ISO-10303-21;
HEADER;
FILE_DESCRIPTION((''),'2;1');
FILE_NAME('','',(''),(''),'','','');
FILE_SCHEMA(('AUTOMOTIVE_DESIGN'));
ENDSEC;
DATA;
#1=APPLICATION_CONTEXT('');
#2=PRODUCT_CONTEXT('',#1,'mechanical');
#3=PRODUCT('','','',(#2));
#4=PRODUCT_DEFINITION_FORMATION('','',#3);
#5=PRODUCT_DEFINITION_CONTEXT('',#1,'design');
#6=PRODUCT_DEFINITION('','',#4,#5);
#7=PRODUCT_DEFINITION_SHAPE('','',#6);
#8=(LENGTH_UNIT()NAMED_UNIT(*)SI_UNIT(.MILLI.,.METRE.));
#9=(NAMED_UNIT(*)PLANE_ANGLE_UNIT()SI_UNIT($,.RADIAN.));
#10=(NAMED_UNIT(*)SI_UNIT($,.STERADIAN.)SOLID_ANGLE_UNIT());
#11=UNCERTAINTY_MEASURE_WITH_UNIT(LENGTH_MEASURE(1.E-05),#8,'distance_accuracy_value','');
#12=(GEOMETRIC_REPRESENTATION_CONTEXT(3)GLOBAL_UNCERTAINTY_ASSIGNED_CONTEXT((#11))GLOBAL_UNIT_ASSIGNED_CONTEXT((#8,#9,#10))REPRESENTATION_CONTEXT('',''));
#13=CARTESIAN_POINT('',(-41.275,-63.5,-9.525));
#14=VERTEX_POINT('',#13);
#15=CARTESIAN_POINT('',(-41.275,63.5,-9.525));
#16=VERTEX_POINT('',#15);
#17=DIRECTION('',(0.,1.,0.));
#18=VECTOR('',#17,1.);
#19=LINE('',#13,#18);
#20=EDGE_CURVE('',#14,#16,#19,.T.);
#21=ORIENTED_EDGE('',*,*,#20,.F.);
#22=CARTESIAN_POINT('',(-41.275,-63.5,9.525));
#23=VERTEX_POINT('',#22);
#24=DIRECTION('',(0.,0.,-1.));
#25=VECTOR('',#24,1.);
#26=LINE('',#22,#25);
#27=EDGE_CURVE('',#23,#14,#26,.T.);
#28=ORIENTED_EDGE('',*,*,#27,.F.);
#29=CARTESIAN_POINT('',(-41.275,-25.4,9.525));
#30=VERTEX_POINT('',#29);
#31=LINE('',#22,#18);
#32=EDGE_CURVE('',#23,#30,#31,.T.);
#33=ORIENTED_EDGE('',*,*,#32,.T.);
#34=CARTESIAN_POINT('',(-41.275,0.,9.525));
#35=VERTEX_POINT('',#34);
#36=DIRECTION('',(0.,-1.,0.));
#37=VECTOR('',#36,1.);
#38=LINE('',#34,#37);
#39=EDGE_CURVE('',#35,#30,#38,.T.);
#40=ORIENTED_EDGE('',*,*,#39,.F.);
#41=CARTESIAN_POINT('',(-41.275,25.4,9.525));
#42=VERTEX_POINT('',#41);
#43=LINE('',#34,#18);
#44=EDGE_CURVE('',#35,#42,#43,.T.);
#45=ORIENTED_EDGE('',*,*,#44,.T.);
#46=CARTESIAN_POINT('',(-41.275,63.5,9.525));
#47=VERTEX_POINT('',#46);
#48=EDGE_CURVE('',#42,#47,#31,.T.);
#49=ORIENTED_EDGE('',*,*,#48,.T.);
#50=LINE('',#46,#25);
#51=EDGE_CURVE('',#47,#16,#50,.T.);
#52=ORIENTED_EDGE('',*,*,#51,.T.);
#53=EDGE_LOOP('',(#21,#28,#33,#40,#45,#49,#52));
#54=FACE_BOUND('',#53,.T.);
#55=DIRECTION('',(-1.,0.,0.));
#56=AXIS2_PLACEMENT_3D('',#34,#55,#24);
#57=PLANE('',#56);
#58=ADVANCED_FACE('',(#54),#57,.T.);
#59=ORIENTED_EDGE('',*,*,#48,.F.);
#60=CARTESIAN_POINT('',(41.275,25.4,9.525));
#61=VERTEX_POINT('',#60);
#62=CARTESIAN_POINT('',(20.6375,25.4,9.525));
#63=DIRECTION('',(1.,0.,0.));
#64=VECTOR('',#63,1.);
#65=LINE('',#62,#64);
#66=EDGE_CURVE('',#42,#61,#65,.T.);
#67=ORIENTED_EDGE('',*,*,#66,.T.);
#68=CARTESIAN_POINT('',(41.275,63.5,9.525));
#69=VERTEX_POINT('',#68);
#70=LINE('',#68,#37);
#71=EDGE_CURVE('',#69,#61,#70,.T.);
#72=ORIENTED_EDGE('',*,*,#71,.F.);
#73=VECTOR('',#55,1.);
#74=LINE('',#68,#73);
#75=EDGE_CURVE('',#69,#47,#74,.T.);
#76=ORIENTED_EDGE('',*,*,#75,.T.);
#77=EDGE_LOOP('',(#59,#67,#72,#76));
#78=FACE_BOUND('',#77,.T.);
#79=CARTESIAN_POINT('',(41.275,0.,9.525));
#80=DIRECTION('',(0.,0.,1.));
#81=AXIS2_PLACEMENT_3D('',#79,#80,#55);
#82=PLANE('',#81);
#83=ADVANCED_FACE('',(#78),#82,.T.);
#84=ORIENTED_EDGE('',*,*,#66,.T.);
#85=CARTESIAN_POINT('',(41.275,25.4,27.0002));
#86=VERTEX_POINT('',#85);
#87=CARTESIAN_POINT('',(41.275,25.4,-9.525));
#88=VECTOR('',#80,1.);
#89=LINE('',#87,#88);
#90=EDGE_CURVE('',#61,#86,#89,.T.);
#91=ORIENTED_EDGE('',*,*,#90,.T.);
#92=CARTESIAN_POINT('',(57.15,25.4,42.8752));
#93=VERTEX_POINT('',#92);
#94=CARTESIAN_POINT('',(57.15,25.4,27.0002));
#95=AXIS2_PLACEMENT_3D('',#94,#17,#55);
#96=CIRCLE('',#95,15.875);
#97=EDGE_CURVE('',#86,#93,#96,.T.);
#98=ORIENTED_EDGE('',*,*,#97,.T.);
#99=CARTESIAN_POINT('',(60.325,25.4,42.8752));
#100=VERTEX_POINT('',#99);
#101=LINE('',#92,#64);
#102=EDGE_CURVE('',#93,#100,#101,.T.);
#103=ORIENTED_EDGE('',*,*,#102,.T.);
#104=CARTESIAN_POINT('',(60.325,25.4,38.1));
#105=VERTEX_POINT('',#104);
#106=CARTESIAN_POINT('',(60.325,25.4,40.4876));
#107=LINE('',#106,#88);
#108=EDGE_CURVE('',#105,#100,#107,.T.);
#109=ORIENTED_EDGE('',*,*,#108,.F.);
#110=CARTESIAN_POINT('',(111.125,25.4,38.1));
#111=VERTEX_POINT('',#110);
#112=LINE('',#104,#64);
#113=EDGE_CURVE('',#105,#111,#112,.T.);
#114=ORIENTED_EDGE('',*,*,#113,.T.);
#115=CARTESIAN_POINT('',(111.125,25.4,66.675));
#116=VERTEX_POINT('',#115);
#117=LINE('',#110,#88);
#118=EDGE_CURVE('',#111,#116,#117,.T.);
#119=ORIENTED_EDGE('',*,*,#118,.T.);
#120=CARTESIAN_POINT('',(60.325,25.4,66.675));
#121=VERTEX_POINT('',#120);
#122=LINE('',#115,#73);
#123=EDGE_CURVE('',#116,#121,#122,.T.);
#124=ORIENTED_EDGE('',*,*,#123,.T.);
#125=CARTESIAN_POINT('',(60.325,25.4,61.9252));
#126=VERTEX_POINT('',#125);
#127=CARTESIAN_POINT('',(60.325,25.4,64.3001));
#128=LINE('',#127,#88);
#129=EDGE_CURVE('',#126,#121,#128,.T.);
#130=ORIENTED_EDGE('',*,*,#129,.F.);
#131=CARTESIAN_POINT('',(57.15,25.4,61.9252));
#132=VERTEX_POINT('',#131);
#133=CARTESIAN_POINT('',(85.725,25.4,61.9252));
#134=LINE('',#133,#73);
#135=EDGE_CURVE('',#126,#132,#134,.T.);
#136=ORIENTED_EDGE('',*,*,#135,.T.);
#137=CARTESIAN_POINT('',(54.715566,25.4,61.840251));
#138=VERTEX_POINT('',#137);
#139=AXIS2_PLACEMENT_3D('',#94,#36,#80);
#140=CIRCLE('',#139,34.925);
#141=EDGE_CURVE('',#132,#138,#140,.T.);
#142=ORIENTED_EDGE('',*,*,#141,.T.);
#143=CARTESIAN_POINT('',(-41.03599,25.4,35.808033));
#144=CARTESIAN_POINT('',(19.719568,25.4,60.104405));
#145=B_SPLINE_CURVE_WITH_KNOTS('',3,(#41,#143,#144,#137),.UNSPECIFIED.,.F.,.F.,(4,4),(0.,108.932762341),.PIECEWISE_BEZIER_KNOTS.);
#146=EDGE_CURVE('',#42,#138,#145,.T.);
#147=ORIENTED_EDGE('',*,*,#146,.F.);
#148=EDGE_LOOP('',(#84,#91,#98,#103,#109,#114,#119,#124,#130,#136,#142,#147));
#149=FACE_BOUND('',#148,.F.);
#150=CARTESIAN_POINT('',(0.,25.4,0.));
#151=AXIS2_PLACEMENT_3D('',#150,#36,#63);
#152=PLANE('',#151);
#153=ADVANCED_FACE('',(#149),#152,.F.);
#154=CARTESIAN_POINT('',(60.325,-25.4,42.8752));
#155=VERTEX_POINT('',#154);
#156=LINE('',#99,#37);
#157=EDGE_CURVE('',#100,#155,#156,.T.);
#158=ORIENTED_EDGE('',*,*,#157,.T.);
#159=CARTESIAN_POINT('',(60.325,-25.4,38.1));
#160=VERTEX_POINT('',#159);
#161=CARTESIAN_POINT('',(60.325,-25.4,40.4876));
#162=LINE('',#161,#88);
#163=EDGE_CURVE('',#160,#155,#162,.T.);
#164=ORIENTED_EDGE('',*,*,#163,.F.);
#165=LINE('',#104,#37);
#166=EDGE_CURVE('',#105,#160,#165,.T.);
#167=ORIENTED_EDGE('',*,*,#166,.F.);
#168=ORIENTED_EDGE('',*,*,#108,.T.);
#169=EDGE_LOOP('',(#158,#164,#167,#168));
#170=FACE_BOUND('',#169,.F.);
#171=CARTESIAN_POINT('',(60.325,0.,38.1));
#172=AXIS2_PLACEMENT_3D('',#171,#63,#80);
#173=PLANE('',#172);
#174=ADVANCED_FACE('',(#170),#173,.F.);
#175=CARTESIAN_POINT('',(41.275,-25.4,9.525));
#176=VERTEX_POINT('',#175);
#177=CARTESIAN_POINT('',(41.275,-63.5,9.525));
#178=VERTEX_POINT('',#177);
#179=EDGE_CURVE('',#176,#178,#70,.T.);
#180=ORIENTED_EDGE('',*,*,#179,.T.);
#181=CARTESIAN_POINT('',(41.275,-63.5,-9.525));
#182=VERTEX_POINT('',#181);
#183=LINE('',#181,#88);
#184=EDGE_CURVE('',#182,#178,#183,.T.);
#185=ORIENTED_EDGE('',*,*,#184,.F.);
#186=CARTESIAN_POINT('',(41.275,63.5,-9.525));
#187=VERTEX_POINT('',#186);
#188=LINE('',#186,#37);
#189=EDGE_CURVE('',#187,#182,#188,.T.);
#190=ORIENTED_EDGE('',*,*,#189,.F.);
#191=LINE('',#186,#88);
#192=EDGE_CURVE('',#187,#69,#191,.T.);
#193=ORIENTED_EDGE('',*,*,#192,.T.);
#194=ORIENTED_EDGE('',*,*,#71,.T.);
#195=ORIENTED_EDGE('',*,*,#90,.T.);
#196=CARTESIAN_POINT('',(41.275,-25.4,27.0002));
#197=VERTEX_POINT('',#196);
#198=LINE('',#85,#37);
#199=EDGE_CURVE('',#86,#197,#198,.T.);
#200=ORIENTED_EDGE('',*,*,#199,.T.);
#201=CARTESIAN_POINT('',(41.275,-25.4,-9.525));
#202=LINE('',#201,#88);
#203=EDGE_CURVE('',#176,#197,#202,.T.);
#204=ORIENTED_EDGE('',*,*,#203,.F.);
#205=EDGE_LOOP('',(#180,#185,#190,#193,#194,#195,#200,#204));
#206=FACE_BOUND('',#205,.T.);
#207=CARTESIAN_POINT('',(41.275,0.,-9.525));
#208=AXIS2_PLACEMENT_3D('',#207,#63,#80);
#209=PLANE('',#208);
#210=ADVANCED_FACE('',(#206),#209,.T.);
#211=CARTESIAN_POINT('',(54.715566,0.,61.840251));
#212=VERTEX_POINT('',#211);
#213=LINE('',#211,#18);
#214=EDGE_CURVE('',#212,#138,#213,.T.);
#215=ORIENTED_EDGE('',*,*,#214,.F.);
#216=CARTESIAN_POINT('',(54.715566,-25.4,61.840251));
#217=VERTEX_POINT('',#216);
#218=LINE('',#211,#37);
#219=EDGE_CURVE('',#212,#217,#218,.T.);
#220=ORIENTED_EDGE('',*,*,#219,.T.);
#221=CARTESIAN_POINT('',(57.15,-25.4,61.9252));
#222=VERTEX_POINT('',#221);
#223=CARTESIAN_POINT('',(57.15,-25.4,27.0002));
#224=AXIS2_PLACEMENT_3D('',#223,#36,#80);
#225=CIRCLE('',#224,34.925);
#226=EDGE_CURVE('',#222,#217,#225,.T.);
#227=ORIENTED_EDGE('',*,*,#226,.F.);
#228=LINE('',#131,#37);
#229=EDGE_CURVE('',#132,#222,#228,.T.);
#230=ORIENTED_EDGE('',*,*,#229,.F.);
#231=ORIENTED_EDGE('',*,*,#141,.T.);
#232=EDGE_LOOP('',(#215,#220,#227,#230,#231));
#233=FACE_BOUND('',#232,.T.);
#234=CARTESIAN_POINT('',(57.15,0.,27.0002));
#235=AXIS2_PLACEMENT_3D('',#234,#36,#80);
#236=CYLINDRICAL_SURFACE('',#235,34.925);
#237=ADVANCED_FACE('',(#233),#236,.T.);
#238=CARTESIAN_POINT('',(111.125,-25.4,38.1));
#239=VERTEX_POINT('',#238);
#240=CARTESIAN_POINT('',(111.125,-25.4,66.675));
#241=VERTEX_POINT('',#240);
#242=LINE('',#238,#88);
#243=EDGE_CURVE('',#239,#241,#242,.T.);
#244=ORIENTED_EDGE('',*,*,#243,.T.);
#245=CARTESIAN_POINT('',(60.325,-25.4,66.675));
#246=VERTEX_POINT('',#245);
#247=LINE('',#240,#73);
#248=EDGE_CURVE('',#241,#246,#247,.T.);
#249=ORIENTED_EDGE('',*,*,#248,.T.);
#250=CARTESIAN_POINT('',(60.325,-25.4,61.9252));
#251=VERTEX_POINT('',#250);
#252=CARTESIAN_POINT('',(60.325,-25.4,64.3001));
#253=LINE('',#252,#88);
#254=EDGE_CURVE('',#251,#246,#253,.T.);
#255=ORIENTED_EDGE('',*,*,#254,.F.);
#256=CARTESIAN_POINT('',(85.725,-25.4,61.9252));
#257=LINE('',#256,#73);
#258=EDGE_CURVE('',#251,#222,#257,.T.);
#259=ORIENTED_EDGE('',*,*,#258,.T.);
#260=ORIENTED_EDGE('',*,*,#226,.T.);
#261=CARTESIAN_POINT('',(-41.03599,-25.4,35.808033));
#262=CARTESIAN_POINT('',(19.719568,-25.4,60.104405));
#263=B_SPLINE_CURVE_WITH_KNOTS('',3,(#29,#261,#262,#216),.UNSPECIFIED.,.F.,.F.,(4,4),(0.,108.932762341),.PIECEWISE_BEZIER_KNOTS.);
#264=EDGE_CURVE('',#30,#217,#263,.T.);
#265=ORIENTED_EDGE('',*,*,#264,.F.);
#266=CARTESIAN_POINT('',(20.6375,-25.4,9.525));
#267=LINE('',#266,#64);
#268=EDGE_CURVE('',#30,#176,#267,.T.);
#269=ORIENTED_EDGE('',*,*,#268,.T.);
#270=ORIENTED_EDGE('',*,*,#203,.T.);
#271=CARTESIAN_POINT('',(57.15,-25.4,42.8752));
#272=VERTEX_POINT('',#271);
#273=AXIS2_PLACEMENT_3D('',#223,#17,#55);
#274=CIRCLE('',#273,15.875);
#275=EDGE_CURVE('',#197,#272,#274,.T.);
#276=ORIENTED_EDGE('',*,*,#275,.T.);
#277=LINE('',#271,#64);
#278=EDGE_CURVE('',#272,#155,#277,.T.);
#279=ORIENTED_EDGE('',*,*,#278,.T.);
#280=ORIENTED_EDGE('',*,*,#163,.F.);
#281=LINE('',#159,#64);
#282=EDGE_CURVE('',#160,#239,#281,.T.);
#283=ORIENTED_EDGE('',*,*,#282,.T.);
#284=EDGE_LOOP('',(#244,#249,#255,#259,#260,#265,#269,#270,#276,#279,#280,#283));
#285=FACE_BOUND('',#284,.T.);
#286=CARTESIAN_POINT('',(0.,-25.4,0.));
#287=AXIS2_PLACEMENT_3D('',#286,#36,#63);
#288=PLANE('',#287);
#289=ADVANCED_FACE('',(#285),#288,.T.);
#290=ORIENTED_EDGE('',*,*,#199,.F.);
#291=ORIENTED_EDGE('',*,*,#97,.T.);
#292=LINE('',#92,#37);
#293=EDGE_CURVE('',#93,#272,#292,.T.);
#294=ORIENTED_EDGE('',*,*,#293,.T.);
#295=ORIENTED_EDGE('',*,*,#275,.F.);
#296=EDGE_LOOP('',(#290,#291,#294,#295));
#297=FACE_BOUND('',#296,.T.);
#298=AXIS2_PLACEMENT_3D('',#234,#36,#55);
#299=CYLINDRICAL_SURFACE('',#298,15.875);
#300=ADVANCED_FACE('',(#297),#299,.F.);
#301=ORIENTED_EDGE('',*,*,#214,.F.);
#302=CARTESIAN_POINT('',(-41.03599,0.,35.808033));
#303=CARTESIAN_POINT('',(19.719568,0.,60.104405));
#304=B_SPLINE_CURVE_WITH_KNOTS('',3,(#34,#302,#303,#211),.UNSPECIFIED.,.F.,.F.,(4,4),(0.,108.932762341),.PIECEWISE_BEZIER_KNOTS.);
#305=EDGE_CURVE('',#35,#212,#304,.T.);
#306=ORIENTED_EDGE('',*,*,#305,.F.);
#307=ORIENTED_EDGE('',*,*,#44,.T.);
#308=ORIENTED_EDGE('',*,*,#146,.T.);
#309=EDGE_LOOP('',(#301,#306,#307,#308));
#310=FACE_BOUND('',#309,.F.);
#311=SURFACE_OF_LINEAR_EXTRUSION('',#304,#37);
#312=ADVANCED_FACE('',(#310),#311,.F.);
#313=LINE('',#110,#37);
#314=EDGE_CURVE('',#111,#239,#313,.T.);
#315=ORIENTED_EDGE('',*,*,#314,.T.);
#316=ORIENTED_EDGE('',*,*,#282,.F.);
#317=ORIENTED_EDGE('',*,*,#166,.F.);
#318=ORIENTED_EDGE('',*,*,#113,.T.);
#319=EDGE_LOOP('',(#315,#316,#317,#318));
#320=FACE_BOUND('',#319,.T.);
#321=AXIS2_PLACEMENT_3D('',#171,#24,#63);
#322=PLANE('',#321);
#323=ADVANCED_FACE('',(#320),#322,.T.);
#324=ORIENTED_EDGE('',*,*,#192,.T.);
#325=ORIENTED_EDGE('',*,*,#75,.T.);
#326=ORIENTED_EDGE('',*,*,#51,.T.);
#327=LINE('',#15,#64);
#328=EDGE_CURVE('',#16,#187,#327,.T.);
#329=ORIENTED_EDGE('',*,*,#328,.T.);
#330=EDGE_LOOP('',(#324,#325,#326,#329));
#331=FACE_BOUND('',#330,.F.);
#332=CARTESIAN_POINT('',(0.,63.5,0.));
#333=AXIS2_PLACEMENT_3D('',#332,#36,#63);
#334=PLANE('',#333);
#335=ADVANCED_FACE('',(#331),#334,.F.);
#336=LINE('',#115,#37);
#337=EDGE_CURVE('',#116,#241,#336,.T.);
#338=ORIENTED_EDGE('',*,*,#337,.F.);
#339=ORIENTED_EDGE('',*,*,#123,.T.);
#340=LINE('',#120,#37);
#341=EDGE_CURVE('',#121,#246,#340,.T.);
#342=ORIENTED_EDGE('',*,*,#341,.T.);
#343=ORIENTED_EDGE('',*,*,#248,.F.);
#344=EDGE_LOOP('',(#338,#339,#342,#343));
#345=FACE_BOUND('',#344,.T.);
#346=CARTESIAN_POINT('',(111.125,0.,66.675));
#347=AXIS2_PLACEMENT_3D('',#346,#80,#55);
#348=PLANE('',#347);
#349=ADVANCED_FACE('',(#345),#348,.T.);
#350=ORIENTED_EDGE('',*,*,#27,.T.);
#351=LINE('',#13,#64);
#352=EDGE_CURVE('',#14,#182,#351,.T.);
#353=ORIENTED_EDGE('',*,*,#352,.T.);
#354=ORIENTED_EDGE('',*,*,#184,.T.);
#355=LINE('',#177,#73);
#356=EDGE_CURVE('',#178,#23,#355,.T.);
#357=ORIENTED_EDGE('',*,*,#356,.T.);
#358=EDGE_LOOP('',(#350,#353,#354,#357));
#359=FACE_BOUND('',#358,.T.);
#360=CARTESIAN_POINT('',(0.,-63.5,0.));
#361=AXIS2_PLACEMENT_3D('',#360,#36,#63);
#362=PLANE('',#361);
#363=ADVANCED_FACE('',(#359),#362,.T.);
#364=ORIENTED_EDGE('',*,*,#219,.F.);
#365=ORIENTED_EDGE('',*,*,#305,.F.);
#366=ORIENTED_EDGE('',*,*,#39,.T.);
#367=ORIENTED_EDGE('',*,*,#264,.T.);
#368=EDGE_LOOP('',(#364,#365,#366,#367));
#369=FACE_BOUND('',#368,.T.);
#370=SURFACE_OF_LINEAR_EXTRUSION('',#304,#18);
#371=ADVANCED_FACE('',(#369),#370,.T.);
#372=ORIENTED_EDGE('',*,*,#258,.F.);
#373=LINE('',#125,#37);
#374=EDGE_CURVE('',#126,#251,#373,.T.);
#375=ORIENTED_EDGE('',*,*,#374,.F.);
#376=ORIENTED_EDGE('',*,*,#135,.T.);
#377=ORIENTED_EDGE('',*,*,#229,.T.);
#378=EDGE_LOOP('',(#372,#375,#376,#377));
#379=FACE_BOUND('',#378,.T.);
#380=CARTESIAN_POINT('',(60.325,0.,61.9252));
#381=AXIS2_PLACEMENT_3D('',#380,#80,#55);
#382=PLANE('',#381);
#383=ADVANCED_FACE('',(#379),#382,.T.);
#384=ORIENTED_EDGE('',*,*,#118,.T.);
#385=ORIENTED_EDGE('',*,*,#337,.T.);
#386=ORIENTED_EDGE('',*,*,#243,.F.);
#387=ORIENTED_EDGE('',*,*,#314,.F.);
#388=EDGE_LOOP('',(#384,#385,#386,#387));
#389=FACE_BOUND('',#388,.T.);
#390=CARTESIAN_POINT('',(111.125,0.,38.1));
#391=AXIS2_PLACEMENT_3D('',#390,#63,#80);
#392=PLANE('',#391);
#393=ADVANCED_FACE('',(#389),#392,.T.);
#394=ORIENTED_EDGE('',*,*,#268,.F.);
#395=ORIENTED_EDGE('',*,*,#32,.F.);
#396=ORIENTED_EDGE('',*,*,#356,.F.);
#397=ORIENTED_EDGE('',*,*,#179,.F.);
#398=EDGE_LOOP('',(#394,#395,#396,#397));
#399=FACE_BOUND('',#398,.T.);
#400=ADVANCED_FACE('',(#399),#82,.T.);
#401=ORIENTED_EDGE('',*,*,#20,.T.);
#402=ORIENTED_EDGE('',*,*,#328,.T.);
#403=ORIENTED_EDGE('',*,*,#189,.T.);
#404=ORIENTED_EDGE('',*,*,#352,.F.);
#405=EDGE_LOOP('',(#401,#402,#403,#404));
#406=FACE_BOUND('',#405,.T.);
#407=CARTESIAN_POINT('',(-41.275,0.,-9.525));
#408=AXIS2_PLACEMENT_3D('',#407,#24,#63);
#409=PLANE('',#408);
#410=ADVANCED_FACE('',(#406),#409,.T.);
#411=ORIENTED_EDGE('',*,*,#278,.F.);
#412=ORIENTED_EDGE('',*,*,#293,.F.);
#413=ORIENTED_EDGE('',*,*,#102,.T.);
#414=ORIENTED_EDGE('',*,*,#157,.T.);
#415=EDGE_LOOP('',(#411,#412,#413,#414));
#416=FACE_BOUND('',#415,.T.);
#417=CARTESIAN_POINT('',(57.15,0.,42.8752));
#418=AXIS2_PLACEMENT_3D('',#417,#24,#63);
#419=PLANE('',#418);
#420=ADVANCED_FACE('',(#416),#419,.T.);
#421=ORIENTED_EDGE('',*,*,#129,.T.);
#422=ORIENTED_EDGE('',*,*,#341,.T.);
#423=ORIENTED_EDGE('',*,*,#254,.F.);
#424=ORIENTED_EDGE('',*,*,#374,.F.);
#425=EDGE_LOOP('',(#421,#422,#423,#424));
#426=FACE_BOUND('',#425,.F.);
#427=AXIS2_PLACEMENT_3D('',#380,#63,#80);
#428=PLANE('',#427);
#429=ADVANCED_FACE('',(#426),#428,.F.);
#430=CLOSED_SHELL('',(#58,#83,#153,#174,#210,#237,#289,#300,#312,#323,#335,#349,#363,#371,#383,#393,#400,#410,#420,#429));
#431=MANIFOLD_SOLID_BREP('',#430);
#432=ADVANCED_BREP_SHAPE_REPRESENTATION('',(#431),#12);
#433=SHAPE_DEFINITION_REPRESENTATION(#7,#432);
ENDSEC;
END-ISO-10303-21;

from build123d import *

# Parameters (mm, degrees)
F1_DEPTH = 63.5
F0_W     = 25.4
F0_H     = 4.7752
F0_H_2   = 19.05
F0_H_3   = 4.7498
F2_DEPTH = 25.4


with BuildPart() as f1:
    # F0 (on Front) → F1 (new body, symmetric)
    with BuildSketch(Plane.XZ):
        Polygon((-41.275, -9.525), (41.275, -9.525), (41.275, 9.525), (22.225, 9.525), (-41.275, 9.525), align=None)
    extrude(amount=F1_DEPTH, both=True)

    # F0 (on Front) → F2 (join, symmetric)
    with BuildSketch(Plane.XZ):
        Polygon((-41.275, -9.525), (41.275, -9.525), (41.275, 9.525), (22.225, 9.525), (-41.275, 9.525), align=None)
        with BuildLine():
            Line((22.225, 9.525), (41.275, 9.525))
            Line((41.275, 9.525), (41.275, 27.0002))
            ThreePointArc((41.275, 27.0002), (45.9246798487, 38.2255201513), (57.15, 42.8752))
            Line((57.15, 42.8752), (60.325, 42.8752))
            Line((60.325, 42.8752), (60.325, 61.9252))
            Line((60.325, 61.9252), (57.15, 61.9252))
            add(Edge.make_bspline(
                [(54.7155660835, 61.8402510405), (55.5417802596, 61.8812323072), (56.3536366675, 61.9096388708), (57.15, 61.9252)],
                knots=[108.932762341, 108.932762341, 108.932762341, 108.932762341, 111.5045361635, 111.5045361635, 111.5045361635, 111.5045361635], degree=3))
            ThreePointArc((54.7155660835, 61.8402510405), (31.6080910117, 50.8196565478), (22.225, 27.0002))
            Line((22.225, 27.0002), (22.225, 9.525))
        make_face()
        with BuildLine():
            add(Edge.make_bspline(
                [(-41.275, 9.525), (-41.0359900889, 35.8080333055), (19.7195677178, 60.1044053224), (54.7155660835, 61.8402510405)],
                knots=[0, 0, 0, 0, 108.932762341, 108.932762341, 108.932762341, 108.932762341], degree=3))
            Line((-41.275, 9.525), (22.225, 9.525))
            Line((22.225, 9.525), (22.225, 27.0002))
            ThreePointArc((22.225, 27.0002), (31.6080910117, 50.8196565478), (54.7155660835, 61.8402510405))
        make_face()
        with BuildLine():
            ThreePointArc((57.15, 61.9252), (55.9320421991, 61.9039562992), (54.7155660835, 61.8402510405))
            add(Edge.make_bspline(
                [(54.7155660835, 61.8402510405), (55.5417802596, 61.8812323072), (56.3536366675, 61.9096388708), (57.15, 61.9252)],
                knots=[108.932762341, 108.932762341, 108.932762341, 108.932762341, 111.5045361635, 111.5045361635, 111.5045361635, 111.5045361635], degree=3))
        make_face()
        with Locations((73.025, 40.4876)):
            Rectangle(F0_W, F0_H)
        with Locations((73.025, 52.4002)):
            Rectangle(F0_W, F0_H_2)
        with Locations((73.025, 64.3001)):
            Rectangle(F0_W, F0_H_3)
        Polygon((85.725, 61.9252), (85.725, 42.8752), (85.725, 38.1), (111.125, 38.1), (111.125, 66.675), (85.725, 66.675), align=None)
    extrude(amount=F2_DEPTH, both=True)


solid = f1.part
